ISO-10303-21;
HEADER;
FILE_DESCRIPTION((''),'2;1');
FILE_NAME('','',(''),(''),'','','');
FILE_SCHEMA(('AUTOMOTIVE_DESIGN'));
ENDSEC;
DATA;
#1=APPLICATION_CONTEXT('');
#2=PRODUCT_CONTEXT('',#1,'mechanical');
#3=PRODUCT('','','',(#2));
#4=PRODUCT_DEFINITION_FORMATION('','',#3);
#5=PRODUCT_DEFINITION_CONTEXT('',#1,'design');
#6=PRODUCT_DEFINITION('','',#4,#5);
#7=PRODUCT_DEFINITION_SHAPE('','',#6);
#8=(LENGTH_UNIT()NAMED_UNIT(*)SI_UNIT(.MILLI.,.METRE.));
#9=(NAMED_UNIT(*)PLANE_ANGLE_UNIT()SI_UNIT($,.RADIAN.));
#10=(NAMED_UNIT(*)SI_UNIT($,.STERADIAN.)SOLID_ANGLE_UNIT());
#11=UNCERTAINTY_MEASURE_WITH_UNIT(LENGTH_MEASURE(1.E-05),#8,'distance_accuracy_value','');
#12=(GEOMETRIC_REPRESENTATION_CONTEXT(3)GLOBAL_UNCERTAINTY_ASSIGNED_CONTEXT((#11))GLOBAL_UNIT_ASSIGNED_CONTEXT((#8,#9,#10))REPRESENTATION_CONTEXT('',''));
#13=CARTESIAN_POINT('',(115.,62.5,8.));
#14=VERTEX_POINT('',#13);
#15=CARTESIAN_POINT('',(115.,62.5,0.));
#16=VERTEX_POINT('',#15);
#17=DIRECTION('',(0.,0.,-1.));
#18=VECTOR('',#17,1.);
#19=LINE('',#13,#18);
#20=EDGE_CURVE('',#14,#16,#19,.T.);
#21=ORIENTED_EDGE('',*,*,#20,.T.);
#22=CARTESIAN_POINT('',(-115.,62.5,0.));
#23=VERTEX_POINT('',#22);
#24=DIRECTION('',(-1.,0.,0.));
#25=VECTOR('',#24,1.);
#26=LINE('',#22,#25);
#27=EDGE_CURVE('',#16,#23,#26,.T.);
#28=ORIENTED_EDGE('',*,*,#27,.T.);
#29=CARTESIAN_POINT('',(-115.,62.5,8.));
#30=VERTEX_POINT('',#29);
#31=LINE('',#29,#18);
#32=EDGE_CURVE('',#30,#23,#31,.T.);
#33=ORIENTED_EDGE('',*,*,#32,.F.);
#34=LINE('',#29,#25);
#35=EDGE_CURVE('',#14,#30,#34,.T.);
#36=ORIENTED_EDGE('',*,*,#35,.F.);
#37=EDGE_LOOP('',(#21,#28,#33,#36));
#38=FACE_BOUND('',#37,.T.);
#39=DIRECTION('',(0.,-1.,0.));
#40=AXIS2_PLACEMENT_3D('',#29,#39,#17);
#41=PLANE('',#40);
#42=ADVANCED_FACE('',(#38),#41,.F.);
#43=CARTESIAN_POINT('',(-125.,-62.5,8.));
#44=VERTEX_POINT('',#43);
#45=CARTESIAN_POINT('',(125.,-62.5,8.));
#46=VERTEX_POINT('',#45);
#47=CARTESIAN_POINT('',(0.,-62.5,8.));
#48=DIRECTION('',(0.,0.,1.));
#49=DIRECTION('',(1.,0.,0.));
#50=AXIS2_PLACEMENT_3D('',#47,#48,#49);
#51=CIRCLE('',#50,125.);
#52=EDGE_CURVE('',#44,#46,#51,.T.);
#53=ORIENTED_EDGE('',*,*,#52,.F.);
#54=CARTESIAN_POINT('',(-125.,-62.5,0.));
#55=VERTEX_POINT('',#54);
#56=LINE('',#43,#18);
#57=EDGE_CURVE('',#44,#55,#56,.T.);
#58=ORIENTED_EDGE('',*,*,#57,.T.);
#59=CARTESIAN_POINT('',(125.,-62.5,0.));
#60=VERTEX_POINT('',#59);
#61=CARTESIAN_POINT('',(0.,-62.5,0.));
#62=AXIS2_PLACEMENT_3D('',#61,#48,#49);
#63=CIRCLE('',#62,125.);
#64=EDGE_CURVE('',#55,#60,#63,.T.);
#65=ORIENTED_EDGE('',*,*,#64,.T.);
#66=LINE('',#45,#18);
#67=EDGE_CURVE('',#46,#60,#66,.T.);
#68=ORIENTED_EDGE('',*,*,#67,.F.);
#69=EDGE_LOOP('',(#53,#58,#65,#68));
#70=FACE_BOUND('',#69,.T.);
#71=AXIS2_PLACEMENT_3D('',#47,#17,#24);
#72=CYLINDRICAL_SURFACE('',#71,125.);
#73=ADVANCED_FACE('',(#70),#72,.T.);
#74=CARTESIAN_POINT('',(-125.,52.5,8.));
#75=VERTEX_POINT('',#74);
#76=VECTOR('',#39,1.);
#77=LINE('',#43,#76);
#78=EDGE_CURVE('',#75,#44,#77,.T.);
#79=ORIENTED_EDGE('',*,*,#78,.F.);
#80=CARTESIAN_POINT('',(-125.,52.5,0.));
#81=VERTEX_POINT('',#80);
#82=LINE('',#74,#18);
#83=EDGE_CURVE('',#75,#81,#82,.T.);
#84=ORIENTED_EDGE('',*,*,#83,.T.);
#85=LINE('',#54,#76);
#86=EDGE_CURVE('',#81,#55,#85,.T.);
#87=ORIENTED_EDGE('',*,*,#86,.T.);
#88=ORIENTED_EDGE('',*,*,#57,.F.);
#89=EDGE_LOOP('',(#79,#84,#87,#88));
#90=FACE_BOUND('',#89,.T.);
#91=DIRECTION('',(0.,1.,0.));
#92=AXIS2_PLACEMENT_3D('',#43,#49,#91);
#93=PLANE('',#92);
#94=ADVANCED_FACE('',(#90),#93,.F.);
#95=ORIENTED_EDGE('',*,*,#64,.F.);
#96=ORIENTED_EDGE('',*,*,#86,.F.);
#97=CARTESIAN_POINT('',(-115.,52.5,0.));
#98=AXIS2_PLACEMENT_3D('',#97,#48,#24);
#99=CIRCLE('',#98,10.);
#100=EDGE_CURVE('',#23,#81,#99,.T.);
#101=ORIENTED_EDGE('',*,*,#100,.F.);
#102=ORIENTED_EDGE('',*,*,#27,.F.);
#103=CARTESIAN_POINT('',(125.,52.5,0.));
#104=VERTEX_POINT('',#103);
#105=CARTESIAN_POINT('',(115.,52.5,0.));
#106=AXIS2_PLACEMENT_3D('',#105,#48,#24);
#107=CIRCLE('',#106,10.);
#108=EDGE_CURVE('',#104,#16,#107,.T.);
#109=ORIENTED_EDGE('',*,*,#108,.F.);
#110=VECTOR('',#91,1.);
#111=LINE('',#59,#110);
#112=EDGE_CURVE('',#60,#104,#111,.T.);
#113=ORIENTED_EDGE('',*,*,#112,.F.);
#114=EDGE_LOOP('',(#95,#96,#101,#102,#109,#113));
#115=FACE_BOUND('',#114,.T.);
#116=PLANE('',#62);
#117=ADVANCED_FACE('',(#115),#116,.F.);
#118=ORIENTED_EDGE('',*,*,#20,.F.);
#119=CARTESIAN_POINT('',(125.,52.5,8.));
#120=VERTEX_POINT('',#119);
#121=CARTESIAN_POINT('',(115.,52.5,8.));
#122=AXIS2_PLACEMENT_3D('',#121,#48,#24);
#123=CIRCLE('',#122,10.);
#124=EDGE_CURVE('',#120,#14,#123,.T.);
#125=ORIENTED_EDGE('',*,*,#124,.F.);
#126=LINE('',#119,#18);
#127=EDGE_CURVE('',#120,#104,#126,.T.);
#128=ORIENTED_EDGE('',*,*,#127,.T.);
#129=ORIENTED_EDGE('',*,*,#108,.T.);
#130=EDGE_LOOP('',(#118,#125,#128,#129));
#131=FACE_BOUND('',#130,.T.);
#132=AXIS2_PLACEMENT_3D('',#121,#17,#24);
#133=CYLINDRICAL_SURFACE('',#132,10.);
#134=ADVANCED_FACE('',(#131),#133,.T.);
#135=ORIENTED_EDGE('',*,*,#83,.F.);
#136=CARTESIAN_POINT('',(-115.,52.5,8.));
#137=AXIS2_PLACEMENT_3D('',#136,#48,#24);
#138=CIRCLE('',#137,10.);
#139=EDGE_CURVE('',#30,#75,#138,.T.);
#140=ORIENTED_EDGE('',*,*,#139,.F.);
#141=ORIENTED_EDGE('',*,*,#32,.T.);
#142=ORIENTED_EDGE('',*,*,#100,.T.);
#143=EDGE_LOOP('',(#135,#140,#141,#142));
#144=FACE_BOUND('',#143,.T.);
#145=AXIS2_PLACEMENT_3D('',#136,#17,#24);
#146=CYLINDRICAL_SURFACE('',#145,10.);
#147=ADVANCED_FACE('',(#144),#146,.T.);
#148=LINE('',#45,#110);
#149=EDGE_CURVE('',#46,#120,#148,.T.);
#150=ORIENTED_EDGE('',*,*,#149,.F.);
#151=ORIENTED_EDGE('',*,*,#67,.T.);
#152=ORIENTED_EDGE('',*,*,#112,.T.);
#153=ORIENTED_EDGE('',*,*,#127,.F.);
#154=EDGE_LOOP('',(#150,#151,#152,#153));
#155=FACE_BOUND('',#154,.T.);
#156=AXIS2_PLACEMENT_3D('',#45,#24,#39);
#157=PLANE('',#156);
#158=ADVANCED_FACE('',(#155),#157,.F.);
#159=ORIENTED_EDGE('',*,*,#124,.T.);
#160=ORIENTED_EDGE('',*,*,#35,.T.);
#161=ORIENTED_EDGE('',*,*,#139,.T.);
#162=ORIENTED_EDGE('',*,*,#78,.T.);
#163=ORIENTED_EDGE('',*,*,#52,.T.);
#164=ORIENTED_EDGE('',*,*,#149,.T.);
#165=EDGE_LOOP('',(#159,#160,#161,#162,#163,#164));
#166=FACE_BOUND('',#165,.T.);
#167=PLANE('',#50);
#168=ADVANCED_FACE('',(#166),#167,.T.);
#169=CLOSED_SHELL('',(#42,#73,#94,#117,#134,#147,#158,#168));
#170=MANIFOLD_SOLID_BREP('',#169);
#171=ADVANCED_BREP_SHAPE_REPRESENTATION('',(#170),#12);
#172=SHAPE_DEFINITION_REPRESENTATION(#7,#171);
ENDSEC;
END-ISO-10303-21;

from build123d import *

# Parameters (mm, degrees)
BOSS_EXTRU_1_DEPTH = 8


with BuildPart() as part:
    # Esquisse1 → Boss.-Extru.1 (new body)
    with BuildSketch(Plane.XY):
        with BuildLine():
            Line((-125, -62.5), (-125, 52.5))
            ThreePointArc((-125, 52.5), (-122.071067812, 59.571067812), (-115, 62.5))
            Line((-115, 62.5), (115, 62.5))
            ThreePointArc((115, 62.5), (122.071067812, 59.571067812), (125, 52.5))
            Line((125, 52.5), (125, -62.5))
            ThreePointArc((125, -62.5), (0, -187.5), (-125, -62.5))
        make_face()
    extrude(amount=BOSS_EXTRU_1_DEPTH)


solid = part.part
